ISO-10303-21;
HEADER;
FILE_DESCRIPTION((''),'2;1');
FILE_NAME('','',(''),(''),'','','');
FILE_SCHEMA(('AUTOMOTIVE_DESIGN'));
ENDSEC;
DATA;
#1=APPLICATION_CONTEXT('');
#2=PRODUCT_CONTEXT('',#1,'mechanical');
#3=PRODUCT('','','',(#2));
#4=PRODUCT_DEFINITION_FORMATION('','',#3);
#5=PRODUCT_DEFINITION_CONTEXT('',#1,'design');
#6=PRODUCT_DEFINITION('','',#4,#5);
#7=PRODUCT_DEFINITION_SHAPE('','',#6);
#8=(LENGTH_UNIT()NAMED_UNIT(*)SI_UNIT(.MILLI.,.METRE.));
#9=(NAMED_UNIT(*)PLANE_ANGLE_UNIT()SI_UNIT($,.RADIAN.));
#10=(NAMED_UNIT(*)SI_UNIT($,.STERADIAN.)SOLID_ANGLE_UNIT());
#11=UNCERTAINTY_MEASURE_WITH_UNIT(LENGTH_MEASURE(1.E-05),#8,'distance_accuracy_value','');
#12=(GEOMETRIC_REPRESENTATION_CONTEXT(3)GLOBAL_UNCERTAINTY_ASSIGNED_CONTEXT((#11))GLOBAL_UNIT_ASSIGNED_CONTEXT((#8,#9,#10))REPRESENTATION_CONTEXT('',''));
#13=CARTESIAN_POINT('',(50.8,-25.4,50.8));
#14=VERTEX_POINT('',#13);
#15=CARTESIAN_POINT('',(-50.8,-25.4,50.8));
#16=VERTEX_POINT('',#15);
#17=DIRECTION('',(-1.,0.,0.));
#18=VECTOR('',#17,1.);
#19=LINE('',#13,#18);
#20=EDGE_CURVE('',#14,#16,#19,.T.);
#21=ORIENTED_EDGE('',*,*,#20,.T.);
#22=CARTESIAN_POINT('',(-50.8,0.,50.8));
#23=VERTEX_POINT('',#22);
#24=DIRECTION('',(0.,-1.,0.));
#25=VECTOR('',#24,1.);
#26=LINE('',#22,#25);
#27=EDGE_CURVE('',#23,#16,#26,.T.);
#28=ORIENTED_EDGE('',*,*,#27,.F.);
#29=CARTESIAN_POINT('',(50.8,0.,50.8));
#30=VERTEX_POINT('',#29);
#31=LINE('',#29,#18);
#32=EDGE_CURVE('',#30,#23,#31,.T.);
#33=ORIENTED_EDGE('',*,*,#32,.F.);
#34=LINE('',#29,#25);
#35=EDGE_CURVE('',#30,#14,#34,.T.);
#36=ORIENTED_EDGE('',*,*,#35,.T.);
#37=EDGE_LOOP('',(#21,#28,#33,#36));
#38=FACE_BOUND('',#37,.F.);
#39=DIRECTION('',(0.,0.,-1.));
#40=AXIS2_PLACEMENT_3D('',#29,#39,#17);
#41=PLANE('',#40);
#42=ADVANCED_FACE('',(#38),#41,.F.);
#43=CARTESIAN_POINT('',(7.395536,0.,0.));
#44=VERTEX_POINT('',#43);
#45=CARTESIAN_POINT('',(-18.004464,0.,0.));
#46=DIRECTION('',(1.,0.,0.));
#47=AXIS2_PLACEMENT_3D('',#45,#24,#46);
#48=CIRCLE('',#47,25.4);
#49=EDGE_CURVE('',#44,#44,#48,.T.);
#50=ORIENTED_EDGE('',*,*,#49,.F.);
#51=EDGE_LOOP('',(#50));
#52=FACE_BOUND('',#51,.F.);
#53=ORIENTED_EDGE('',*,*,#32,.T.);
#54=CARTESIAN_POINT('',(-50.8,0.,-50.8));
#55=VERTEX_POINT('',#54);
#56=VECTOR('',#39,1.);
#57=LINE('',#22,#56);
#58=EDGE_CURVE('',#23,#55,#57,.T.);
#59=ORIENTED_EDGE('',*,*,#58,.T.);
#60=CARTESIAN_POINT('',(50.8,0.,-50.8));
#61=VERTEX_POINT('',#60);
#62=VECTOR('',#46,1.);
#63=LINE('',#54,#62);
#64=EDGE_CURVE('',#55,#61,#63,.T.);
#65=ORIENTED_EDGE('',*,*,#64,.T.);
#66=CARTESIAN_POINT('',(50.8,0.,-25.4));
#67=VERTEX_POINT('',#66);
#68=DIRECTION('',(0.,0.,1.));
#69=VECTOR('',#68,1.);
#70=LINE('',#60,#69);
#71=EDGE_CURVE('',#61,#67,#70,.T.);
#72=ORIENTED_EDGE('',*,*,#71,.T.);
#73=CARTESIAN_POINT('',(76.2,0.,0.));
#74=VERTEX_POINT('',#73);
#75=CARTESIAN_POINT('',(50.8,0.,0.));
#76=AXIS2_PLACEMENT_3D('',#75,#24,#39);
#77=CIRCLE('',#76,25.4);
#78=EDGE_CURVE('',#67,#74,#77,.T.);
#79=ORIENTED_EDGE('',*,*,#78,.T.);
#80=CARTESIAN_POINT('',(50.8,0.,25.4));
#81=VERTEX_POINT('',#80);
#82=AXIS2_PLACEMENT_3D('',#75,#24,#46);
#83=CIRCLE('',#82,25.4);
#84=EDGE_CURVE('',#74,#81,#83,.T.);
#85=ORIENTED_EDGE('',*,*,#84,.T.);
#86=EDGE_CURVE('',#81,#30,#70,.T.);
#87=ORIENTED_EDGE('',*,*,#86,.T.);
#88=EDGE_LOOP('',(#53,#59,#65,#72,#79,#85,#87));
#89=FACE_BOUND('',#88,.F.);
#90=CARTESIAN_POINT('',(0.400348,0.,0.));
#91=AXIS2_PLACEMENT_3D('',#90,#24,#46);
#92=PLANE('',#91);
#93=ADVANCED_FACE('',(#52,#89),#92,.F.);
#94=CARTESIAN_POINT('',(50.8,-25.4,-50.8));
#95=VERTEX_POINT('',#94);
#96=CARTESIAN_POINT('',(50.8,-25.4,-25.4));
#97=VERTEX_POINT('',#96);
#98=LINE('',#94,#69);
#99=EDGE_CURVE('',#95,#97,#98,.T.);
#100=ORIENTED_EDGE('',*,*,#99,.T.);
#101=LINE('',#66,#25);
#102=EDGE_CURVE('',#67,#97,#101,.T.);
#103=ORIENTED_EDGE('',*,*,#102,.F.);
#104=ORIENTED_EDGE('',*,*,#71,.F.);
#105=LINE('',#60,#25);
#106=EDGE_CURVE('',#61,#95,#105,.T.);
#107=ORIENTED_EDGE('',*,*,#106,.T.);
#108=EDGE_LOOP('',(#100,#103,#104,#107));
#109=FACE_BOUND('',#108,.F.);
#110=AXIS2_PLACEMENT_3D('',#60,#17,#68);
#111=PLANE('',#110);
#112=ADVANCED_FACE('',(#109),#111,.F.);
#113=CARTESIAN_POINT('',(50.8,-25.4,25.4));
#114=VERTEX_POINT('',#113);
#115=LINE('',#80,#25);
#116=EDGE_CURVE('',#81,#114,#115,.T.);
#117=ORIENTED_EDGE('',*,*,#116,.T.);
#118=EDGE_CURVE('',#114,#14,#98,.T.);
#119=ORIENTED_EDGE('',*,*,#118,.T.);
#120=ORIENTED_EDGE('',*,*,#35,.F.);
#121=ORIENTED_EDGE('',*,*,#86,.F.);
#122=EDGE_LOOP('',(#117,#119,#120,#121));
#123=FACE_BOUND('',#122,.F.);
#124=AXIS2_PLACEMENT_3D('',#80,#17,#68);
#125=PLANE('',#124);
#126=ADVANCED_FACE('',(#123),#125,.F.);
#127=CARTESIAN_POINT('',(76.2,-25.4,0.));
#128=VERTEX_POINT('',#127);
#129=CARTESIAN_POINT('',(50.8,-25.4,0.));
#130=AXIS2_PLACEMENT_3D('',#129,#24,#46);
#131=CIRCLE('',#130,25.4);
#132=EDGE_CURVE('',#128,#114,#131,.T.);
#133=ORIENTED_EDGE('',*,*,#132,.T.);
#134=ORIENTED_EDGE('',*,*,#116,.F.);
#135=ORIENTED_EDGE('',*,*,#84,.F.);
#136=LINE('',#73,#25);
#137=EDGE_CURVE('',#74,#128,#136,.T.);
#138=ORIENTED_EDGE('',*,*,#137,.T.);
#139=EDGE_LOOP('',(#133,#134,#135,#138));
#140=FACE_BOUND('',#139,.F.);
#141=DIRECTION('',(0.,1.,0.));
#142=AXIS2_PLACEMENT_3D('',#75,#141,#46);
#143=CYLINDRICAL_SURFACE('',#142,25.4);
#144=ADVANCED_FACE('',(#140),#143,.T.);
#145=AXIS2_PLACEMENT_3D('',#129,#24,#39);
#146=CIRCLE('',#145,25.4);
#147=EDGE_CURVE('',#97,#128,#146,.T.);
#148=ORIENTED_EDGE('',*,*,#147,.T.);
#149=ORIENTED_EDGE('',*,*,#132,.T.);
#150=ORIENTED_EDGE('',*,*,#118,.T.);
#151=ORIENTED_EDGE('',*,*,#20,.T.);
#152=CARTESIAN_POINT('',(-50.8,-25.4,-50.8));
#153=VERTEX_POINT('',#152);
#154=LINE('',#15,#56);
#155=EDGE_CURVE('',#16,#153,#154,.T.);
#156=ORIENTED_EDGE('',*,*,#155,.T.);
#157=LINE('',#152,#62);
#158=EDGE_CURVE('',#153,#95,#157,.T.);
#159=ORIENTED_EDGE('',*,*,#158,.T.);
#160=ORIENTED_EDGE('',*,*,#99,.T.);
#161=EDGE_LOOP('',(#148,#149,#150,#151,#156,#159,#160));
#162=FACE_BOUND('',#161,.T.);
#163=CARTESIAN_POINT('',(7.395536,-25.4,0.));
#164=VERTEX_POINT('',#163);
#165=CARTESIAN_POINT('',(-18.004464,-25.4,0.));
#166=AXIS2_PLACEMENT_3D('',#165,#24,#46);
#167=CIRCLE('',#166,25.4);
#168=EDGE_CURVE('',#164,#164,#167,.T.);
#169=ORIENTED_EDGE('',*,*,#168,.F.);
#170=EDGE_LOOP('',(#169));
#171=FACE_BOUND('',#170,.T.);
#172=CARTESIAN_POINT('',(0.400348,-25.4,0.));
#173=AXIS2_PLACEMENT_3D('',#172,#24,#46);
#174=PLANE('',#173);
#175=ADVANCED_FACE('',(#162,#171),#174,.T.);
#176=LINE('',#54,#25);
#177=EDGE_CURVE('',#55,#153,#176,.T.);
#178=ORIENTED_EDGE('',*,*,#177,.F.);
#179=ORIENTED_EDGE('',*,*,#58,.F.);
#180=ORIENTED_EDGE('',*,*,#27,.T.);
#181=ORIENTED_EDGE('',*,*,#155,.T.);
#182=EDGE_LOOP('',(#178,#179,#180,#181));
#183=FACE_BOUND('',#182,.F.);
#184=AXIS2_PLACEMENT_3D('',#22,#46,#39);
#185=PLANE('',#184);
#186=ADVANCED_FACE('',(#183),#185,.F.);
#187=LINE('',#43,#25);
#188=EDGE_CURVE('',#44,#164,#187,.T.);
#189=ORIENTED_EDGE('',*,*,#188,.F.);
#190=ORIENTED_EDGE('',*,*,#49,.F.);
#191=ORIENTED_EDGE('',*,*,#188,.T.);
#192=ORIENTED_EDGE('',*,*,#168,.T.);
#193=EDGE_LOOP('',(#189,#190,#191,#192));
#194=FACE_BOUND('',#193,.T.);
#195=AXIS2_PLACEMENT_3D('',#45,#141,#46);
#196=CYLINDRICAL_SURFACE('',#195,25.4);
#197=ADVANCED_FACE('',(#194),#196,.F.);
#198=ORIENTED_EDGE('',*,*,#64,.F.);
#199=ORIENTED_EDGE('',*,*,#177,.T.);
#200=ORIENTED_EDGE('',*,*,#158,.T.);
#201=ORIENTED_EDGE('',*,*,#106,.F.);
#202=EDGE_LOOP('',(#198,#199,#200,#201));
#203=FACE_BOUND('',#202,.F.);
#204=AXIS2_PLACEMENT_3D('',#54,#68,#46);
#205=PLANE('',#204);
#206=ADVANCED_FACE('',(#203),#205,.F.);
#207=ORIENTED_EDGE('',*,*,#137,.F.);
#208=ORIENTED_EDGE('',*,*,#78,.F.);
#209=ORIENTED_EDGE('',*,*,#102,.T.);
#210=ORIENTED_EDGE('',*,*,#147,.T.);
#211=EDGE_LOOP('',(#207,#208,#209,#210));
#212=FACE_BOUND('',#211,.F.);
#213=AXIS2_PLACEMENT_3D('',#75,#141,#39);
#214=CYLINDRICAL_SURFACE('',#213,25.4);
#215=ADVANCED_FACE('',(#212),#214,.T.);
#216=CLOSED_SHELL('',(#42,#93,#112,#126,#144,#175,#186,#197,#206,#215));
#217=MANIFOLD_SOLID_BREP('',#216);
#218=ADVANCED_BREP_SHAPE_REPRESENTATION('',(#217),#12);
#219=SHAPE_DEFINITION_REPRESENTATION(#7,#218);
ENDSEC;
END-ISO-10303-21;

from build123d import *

# Parameters (mm, degrees)
F0_R     = 25.4
F1_DEPTH = 25.4


with BuildPart() as f1:
    # F0 (on Front) → F1 (new body)
    with BuildSketch(Plane.XZ):
        with BuildLine():
            Line((-50.8, -50.8), (50.8, -50.8))
            Line((50.8, -50.8), (50.8, -25.4))
            ThreePointArc((50.8, -25.4), (25.4, 0), (50.8, 25.4))
            Line((50.8, 25.4), (50.8, 50.8))
            Line((50.8, 50.8), (-50.8, 50.8))
            Line((-50.8, 50.8), (-50.8, -50.8))
        make_face()
        with Locations((-18.0044639856, 0)):
            Circle(F0_R, mode=Mode.SUBTRACT)
        with BuildLine():
            ThreePointArc((50.8, 25.4), (25.4, 0), (50.8, -25.4))
            Line((50.8, -25.4), (50.8, 25.4))
        make_face()
        with BuildLine():
            Line((50.8, 25.4), (50.8, -25.4))
            ThreePointArc((50.8, -25.4), (68.7605122421, -17.9605122421), (76.2, 0))
            ThreePointArc((76.2, 0), (68.7605122421, 17.9605122421), (50.8, 25.4))
        make_face()
    extrude(amount=F1_DEPTH)


solid = f1.part
